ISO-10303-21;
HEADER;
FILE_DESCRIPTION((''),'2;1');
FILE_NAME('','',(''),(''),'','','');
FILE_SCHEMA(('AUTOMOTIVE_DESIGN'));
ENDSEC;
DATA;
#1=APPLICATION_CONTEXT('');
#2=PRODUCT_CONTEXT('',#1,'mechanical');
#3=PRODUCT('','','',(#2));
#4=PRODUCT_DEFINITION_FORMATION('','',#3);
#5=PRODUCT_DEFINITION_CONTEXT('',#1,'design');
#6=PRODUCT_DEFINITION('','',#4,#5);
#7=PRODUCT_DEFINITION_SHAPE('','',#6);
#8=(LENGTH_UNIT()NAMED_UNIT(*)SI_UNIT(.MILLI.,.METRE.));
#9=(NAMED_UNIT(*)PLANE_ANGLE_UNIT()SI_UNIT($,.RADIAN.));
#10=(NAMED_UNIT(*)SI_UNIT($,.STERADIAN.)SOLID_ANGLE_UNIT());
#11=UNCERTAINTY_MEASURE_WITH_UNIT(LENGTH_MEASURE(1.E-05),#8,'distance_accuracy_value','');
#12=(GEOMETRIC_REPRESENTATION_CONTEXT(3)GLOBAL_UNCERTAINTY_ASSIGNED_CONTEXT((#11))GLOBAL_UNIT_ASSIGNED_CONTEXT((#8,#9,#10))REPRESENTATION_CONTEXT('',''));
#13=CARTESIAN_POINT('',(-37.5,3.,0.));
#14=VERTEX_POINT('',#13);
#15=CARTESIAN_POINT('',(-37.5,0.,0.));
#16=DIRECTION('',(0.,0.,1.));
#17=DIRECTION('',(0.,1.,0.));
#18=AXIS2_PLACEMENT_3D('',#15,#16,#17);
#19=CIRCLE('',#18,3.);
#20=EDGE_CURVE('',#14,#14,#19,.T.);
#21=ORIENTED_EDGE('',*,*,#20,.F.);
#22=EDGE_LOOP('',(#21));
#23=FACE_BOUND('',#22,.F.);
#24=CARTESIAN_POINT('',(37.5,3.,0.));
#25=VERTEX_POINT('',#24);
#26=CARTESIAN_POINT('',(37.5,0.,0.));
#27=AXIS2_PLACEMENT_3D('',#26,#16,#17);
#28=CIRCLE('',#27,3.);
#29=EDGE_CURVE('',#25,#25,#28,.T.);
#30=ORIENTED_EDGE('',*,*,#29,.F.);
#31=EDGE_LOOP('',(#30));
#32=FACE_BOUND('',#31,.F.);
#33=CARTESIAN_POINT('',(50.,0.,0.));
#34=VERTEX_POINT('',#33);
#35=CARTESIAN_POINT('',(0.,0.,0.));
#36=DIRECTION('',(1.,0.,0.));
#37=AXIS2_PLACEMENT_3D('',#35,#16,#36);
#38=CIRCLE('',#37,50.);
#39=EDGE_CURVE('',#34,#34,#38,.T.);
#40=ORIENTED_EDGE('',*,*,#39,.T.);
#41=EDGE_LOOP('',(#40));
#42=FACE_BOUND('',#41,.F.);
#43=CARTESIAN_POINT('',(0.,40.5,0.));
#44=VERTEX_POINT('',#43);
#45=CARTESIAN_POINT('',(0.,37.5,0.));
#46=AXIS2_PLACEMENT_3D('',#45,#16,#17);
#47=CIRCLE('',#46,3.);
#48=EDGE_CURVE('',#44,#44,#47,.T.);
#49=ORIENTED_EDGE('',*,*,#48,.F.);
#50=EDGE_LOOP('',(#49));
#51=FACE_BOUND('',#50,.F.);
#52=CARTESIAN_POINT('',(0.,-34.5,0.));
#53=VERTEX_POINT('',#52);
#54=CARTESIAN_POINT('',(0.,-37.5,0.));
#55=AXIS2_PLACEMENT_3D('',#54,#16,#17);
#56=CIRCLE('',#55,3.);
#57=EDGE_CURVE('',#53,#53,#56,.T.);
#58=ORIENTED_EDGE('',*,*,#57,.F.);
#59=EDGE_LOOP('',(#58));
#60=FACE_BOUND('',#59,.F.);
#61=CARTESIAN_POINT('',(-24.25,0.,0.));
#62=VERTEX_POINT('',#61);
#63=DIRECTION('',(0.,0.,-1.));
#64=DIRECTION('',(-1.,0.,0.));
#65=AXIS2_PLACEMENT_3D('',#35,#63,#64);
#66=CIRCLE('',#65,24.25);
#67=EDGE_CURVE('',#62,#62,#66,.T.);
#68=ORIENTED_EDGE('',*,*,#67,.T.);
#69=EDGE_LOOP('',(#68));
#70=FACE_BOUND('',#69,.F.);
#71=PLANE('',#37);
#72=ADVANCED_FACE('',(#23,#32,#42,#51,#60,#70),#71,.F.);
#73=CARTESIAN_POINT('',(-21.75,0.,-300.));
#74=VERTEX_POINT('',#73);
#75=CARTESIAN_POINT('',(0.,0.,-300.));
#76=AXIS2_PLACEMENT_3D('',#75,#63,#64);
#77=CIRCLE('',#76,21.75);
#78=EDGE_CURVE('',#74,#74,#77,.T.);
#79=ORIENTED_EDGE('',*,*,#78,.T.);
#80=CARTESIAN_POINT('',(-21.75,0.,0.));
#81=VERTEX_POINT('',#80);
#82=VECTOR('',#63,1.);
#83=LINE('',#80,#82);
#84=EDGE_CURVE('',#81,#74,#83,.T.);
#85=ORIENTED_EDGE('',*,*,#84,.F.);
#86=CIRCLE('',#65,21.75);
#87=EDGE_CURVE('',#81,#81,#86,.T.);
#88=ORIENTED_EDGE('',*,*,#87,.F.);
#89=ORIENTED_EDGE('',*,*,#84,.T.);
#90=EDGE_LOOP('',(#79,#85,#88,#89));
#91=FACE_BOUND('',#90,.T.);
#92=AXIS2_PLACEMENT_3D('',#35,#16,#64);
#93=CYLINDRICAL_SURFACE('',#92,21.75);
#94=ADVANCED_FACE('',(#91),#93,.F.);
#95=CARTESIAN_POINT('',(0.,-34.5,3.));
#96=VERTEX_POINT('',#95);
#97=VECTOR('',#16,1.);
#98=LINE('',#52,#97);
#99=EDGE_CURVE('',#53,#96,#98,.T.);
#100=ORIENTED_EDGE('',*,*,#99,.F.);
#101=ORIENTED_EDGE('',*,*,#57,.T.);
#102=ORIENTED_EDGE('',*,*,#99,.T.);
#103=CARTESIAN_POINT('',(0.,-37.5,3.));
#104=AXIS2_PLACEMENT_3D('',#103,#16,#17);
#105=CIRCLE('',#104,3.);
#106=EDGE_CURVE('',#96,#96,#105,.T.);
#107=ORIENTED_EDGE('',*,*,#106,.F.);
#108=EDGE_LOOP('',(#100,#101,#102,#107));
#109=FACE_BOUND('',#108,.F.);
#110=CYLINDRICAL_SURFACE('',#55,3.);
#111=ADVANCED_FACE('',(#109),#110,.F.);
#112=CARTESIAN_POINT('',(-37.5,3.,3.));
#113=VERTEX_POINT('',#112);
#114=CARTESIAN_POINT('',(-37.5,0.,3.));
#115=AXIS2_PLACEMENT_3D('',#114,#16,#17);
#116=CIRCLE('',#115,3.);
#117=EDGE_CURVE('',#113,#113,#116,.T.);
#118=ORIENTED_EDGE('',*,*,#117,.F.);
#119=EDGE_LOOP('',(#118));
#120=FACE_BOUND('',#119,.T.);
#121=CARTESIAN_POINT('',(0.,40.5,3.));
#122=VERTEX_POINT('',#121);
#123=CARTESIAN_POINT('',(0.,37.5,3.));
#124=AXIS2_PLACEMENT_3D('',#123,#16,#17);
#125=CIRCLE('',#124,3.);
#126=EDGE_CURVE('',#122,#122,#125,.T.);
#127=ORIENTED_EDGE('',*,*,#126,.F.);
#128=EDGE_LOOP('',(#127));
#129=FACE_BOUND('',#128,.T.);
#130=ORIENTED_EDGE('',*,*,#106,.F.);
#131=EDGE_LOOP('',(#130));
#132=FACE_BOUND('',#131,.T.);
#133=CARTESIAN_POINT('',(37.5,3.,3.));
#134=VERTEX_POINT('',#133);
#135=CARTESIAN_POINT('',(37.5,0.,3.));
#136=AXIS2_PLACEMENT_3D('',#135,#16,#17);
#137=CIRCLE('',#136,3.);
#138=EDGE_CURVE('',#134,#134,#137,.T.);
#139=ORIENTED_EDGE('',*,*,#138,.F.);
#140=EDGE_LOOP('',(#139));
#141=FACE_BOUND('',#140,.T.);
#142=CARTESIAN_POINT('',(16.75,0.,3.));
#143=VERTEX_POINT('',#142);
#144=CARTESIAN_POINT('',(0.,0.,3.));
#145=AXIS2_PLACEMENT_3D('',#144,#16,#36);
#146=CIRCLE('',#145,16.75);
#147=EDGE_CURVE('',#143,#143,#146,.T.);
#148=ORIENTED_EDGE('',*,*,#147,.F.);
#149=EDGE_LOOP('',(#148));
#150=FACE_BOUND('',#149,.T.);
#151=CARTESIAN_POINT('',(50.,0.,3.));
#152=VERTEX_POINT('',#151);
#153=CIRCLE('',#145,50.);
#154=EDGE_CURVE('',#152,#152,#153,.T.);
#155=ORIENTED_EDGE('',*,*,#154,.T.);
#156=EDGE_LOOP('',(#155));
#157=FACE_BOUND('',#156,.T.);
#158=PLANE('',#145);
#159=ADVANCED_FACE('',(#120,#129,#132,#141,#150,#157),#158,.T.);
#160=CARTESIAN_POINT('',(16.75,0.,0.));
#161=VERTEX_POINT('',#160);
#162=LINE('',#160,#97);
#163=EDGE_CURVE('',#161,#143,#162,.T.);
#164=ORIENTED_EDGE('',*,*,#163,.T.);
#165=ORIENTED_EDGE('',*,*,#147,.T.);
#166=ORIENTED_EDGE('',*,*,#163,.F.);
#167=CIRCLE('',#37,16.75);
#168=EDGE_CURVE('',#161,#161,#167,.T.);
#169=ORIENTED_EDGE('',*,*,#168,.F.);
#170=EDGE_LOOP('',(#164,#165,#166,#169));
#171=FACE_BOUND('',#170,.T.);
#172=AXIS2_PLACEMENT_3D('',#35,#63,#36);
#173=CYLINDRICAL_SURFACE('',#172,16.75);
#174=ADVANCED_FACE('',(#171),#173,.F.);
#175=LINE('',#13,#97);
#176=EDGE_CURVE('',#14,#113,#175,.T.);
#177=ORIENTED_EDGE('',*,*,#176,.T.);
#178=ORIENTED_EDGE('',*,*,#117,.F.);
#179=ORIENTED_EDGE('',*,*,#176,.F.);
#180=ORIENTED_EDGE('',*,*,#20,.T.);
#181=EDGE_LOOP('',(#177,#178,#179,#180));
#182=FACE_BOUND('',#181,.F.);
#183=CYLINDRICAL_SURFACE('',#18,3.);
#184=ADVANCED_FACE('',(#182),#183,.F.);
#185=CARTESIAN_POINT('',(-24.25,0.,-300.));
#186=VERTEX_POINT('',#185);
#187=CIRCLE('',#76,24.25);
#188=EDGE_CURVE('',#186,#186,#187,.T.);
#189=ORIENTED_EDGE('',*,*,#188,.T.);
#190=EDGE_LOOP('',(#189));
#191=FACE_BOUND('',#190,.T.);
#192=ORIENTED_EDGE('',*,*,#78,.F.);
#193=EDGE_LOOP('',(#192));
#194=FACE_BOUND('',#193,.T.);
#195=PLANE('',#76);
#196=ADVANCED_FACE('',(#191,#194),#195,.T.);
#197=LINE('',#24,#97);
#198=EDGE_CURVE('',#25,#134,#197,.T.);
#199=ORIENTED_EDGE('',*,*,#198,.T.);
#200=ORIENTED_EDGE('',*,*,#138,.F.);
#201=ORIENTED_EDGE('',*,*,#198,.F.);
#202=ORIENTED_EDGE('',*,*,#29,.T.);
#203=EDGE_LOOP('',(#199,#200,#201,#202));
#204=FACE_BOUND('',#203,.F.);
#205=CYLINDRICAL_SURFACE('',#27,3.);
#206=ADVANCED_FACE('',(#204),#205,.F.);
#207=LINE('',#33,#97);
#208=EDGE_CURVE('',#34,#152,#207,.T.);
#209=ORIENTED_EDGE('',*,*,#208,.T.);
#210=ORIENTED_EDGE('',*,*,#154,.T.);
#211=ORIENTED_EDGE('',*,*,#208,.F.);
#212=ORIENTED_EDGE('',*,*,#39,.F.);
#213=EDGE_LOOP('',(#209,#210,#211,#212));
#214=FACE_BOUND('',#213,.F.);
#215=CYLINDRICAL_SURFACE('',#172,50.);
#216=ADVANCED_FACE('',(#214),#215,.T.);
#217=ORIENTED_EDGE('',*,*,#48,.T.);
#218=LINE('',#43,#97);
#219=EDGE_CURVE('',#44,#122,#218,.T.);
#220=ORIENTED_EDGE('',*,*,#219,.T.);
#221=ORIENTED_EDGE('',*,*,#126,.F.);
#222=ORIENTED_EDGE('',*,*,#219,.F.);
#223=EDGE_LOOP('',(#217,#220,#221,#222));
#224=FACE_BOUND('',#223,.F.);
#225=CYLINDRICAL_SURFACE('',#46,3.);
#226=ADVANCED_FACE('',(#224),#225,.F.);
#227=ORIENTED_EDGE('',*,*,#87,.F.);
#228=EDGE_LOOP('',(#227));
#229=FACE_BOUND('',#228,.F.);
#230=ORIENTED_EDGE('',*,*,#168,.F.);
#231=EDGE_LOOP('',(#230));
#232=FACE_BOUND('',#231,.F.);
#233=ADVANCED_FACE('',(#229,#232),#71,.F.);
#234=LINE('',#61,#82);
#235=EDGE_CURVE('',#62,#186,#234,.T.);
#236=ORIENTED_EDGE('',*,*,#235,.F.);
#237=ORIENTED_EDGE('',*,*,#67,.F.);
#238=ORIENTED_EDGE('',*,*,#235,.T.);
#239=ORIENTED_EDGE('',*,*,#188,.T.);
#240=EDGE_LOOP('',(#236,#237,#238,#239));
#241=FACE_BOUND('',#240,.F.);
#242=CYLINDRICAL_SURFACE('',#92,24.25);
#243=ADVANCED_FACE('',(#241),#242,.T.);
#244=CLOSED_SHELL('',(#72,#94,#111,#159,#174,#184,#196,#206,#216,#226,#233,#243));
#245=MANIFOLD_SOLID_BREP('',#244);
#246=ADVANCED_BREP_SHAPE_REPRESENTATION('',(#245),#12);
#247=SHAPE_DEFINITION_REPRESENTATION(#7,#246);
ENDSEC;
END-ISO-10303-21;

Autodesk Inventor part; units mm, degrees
ref_plane "YZ Plane" through (0, 0, 0) normal (1, 0, 0) x (0, 1, 0)
ref_plane "XZ Plane" through (0, 0, 0) normal (0, 1, 0) x (-1, 0, 0)
ref_plane "Work Plane1" through (0, 0, 0) normal (0, 0, 1) x (1, 0, 0)
sketch "Sketch2" plane through (0, 0, 0) normal (0, 0, 1) x (1, 0, 0)
  circle A0 centre (0, 0) radius 16.75
  circle A1 centre (0, 0) radius 50
  point P0 (0, 0)
  dimension "d0" = 33.5
  dimension "d25" = 100
extrude "Extrusion1" add sketch "Sketch2" along normal blind 3
sketch "Sketch3" plane through (0, 0, 0) normal (0, 0, -1) x (-1, 0, 0)
  circle A0 centre (0, 0) radius 24.25
  circle A1 centre (0, 0) radius 21.75
  point P0 (0, 0)
  dimension "d4" = 48.5
  dimension "d26" = 2.5
extrude "Extrusion2" add sketch "Sketch3" along normal blind 300
sketch "Sketch4" plane through (0, 0, 0) normal (0, 0, -1) x (-1, 0, 0)
  circle A0 centre (0, 0) radius 16.75 projected
  circle A1 centre (0, 0) radius 37.5 construction
  circle A2 centre (37.5, 0) radius 3
  circle A3 centre (0, 0) radius 37.5 construction
  circle A4 centre (0, 37.5) radius 3
  circle A5 centre (0, 0) radius 37.5 construction
  circle A6 centre (-37.5, 0) radius 3
  circle A7 centre (0, 0) radius 37.5 construction
  circle A8 centre (0, -37.5) radius 3
  point P0 (0, 0)
  dimension "d9" = 75
  dimension "d10" = 6
  dimension "d13" = 360
hole "Hole1" at (-37.5, 0, 0) at (0, -37.5, 0) at (37.5, 0, 0) at (0, 37.5, 0) direction (0, 0, 1) diameter 6 end through all
properties part number "40mm_flange"
